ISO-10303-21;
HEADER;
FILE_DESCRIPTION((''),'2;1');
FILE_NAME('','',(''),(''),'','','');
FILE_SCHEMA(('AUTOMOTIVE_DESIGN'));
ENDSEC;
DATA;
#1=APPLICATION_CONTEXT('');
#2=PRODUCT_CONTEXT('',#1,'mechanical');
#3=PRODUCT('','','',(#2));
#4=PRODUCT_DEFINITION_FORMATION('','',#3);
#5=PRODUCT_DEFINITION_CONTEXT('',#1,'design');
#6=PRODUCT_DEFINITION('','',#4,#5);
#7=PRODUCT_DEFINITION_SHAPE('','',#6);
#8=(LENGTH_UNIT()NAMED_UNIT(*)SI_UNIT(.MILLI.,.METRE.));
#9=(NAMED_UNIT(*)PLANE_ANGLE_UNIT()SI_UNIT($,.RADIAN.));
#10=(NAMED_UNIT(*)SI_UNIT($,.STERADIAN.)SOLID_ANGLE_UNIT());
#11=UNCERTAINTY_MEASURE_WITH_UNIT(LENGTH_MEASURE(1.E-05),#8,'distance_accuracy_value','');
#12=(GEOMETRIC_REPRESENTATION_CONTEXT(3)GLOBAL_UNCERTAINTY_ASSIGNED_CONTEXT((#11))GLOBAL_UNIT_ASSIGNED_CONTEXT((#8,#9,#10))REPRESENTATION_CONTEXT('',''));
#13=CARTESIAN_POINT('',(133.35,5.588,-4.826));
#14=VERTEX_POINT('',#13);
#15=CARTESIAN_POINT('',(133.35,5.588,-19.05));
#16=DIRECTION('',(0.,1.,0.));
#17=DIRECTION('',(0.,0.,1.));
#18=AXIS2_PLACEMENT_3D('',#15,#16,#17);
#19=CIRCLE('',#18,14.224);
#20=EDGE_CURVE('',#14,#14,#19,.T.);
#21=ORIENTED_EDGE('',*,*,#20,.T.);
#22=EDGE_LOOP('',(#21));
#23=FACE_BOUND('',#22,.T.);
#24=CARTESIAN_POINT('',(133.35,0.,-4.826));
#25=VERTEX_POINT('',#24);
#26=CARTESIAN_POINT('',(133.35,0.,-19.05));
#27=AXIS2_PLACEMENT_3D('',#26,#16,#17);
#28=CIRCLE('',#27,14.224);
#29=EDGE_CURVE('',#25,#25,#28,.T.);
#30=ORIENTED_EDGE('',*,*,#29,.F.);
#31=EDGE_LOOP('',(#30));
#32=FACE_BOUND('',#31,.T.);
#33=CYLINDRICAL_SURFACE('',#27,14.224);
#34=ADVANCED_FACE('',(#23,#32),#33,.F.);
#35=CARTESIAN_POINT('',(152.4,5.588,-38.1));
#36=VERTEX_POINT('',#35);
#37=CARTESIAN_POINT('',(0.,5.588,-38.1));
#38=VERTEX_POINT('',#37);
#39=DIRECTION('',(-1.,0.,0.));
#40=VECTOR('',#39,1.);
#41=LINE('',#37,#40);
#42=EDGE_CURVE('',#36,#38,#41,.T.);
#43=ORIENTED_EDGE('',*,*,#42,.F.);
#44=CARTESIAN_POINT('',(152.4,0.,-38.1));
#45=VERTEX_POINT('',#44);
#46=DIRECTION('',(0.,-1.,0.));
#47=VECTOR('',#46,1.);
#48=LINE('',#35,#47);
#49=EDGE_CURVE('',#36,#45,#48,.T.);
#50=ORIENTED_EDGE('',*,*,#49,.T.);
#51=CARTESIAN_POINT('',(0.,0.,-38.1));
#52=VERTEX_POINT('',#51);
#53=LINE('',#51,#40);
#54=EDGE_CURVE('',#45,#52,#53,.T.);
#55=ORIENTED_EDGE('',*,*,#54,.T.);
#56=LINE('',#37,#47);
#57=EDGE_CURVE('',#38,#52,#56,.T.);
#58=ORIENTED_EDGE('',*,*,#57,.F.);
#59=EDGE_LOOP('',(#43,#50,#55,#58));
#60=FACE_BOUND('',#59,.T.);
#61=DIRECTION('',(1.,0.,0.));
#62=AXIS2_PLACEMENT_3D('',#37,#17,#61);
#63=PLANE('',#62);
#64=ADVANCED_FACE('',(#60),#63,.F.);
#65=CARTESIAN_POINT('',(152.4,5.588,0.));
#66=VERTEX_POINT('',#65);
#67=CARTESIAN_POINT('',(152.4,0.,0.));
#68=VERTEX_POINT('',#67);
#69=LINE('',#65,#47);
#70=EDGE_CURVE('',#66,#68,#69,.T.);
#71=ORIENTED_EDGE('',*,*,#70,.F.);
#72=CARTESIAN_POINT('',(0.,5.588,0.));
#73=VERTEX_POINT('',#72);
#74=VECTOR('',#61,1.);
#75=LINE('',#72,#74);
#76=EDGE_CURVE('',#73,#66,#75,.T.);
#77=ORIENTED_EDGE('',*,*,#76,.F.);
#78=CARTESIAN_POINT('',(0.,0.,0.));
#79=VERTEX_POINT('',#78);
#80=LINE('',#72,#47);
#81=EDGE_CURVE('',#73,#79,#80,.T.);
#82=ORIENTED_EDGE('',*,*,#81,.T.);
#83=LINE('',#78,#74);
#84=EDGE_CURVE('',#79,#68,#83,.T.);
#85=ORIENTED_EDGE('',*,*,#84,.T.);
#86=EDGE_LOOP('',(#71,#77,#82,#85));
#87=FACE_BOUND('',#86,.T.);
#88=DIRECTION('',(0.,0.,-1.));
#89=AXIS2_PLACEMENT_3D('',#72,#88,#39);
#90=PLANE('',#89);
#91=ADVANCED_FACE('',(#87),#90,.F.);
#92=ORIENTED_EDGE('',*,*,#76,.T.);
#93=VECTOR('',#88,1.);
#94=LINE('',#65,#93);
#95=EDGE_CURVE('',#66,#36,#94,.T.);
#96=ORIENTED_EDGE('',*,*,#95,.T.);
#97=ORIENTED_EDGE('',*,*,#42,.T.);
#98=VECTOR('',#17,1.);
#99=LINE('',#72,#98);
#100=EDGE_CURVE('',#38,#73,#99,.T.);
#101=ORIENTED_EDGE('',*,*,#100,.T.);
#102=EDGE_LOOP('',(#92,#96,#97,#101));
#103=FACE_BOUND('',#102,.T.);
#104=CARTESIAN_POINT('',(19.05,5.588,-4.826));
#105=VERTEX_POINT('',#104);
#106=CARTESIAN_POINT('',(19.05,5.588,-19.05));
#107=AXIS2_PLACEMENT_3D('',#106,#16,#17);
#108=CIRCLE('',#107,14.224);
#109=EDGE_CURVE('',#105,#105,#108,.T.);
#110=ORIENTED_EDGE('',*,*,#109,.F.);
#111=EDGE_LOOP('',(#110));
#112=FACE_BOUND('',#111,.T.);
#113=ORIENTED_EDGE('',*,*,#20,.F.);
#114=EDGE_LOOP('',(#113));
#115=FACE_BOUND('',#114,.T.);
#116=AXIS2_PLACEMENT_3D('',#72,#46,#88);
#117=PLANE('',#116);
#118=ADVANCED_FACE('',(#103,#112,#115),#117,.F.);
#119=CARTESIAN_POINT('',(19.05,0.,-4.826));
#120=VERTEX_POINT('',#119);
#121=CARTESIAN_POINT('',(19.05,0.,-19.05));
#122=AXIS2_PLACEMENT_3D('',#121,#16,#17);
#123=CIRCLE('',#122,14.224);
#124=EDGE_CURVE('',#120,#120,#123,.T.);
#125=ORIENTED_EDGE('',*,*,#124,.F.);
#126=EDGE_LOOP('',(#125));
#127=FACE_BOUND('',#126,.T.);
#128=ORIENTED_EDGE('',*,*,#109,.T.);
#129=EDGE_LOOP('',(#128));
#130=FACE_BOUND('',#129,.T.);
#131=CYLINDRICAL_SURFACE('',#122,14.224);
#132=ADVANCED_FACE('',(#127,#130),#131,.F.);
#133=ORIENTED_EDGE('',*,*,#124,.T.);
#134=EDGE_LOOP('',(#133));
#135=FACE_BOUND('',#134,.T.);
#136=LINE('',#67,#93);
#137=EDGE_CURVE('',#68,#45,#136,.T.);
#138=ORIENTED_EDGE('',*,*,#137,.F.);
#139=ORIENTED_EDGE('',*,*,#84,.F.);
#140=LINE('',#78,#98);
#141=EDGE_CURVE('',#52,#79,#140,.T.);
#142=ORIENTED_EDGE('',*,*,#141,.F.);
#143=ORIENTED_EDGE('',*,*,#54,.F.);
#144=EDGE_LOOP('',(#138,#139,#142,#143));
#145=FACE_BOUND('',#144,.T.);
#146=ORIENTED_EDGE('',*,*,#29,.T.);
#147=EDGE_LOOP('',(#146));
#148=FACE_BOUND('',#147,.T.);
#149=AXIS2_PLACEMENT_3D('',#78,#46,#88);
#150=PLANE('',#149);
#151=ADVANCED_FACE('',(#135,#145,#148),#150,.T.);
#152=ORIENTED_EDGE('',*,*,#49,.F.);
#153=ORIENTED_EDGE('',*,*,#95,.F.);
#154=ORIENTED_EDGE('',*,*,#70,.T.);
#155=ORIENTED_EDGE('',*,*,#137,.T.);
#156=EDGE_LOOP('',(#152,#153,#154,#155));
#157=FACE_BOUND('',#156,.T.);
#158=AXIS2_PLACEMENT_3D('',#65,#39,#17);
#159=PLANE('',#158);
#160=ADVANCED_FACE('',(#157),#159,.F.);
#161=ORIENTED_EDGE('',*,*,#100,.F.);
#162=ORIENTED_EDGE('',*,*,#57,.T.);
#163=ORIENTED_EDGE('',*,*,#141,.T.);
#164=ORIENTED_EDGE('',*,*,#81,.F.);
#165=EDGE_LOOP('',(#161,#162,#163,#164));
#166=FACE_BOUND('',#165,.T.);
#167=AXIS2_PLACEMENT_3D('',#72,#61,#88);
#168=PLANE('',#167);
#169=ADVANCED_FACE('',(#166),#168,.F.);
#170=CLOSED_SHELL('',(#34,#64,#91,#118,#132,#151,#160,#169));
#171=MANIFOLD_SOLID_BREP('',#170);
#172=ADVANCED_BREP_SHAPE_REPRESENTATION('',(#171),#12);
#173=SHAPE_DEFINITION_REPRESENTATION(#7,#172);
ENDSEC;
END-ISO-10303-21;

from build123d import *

# Parameters (mm, degrees)
SKETCH1_W           = 152.4
SKETCH1_H           = 38.1
BOSS_EXTRUDE1_DEPTH = 5.588
SKETCH6_R           = 14.224
CUT_EXTRUDE4_DEPTH  = 6.588
SKETCH7_R           = 14.224
CUT_EXTRUDE5_DEPTH  = 6.588


with BuildPart() as part:
    # Sketch1 → Boss-Extrude1 (new body)
    with BuildSketch(Plane(origin=(0, 0, 0), x_dir=(1, 0, 0), z_dir=(0, 1, 0))):
        with Locations((76.2, 19.05)):
            Rectangle(SKETCH1_W, SKETCH1_H)
    extrude(amount=BOSS_EXTRUDE1_DEPTH)

    # Sketch6 → Cut-Extrude4 (cut, through all)
    with BuildSketch(Plane(origin=(0, 5.588, 0), x_dir=(1, 0, 0), z_dir=(0, 1, 0))):
        with Locations((19.05, 19.05)):
            Circle(SKETCH6_R)
    extrude(amount=-CUT_EXTRUDE4_DEPTH, mode=Mode.SUBTRACT)

    # Sketch7 → Cut-Extrude5 (cut, through all)
    with BuildSketch(Plane(origin=(0, 5.588, 0), x_dir=(1, 0, 0), z_dir=(0, 1, 0))):
        with Locations((133.35, 19.05)):
            Circle(SKETCH7_R)
    extrude(amount=-CUT_EXTRUDE5_DEPTH, mode=Mode.SUBTRACT)


solid = part.part
